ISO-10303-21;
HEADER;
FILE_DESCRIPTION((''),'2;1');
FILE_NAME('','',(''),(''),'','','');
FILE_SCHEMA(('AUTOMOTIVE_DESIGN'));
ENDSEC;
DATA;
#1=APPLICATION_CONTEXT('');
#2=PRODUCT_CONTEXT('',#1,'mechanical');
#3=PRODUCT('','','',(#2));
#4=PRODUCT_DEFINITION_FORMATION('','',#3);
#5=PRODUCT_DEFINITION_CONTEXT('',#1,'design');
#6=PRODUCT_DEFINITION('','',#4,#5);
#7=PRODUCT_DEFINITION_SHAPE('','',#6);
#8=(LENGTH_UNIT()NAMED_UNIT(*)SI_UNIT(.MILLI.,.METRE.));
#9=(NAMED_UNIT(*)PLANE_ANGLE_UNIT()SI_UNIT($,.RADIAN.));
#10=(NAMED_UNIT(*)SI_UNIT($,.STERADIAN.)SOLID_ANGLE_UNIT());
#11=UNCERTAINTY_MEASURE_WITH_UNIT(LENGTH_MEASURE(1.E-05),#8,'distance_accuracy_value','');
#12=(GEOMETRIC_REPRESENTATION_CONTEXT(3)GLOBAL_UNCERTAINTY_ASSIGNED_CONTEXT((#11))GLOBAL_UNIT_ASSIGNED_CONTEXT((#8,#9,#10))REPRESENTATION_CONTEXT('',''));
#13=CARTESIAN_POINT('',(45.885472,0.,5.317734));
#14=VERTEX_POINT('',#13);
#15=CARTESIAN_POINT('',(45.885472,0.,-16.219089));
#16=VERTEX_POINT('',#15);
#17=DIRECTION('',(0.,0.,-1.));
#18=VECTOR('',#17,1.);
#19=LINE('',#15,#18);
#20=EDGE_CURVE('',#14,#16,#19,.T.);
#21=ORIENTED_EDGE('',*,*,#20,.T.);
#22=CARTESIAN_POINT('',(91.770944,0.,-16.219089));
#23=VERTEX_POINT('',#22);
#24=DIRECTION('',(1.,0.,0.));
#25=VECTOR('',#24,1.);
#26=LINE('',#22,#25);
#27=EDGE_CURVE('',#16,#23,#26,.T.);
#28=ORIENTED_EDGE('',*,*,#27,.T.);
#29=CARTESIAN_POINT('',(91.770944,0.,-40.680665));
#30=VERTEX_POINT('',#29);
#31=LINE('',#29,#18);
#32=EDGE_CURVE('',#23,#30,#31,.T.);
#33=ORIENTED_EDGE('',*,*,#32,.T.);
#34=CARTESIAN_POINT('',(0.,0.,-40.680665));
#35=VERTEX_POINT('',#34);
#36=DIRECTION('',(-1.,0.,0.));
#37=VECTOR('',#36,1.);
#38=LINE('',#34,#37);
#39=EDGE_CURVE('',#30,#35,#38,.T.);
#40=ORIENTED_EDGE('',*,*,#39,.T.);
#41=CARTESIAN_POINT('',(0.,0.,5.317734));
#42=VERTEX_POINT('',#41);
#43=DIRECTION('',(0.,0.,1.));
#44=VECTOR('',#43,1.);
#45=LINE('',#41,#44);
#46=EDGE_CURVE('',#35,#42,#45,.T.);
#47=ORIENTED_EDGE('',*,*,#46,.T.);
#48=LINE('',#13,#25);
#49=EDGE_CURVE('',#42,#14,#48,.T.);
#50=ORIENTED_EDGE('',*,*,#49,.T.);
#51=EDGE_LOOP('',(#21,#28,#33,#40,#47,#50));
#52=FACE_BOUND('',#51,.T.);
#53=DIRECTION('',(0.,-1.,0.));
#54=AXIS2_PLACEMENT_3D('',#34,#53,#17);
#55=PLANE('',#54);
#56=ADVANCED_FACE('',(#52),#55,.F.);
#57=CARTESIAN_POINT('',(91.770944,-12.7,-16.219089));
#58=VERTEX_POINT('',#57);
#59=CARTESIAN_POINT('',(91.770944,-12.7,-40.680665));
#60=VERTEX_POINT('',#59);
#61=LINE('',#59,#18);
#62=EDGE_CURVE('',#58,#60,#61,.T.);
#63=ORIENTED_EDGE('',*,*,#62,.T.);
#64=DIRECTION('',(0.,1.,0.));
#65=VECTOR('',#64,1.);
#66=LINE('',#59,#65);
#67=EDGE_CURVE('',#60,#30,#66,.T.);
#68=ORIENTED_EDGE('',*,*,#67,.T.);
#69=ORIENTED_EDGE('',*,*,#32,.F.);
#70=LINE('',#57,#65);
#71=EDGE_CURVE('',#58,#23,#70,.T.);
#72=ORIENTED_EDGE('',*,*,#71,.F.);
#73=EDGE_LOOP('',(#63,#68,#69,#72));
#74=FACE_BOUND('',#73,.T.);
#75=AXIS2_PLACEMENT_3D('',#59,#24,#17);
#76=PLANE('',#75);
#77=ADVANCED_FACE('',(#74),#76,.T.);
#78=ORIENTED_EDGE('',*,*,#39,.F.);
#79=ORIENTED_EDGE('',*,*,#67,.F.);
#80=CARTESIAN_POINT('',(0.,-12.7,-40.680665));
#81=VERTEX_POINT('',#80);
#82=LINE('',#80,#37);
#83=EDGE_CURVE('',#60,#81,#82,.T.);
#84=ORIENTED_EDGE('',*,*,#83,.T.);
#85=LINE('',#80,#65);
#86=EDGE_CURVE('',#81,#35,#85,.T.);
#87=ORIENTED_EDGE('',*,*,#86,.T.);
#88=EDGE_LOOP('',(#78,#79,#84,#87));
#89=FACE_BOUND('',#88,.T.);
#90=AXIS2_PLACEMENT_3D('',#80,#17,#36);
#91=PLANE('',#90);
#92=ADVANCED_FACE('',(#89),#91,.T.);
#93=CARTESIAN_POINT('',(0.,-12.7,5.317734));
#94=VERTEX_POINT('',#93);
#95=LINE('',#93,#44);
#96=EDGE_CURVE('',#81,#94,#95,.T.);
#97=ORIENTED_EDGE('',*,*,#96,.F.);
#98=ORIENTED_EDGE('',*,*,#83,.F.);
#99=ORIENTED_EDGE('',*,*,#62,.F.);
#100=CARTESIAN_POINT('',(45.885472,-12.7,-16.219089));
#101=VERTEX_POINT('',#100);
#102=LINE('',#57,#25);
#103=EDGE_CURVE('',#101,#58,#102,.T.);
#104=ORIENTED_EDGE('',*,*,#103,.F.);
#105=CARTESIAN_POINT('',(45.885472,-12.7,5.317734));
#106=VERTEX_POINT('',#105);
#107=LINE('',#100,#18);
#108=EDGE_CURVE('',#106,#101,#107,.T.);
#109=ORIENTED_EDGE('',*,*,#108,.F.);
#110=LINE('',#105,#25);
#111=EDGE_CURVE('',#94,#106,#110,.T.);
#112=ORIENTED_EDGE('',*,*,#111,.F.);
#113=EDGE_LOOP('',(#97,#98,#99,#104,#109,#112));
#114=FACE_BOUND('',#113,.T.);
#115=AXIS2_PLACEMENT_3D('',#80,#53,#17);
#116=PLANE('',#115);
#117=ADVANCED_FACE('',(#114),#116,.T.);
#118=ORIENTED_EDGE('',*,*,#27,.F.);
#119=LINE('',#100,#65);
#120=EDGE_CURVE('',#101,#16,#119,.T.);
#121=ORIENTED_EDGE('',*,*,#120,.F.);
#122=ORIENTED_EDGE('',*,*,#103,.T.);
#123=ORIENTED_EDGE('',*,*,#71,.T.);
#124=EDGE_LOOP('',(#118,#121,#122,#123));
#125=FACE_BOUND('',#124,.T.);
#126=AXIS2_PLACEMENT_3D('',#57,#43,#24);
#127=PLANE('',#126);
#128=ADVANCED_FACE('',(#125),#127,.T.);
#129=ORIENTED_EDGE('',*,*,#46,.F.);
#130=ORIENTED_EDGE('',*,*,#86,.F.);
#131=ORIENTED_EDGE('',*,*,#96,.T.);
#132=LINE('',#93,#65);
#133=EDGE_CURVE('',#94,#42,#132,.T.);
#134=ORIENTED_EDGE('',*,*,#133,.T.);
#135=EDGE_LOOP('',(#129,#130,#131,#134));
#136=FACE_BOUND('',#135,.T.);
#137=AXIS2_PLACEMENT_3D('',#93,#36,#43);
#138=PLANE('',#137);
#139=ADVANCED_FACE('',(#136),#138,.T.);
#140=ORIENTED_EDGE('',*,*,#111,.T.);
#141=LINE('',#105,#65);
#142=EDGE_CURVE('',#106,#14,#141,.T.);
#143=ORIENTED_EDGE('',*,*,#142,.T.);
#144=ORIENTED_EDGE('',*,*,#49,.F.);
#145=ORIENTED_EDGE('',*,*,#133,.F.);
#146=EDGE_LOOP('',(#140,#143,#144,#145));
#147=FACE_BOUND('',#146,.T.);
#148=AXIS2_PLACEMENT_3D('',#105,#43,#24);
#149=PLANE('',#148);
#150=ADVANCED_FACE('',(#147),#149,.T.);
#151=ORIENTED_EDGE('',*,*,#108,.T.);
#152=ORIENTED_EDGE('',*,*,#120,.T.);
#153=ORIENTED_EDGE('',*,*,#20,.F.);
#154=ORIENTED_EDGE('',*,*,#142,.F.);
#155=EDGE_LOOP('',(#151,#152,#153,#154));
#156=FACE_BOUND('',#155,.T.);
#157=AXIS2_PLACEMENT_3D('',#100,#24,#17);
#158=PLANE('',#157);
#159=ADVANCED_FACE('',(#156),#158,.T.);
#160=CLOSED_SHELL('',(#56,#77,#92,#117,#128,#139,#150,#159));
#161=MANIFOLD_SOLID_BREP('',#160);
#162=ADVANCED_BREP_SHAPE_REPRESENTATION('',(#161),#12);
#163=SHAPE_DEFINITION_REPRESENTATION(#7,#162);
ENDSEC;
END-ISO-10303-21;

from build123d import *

# Parameters (mm, degrees)
EXTRUDE1_DEPTH = 12.7


with BuildPart() as part:
    # Sketch1 → Extrude1 (new body)
    with BuildSketch(Plane(origin=(0, 0, 0), x_dir=(1, 0, 0), z_dir=(0, 1, 0))):
        Polygon((0, 40.680665025), (91.77094371, 40.680665025), (91.77094371, 16.21908867), (45.885471855, 16.21908867), (45.885471855, -5.31773399), (0, -5.31773399), align=None)
    extrude(amount=-EXTRUDE1_DEPTH)


solid = part.part
